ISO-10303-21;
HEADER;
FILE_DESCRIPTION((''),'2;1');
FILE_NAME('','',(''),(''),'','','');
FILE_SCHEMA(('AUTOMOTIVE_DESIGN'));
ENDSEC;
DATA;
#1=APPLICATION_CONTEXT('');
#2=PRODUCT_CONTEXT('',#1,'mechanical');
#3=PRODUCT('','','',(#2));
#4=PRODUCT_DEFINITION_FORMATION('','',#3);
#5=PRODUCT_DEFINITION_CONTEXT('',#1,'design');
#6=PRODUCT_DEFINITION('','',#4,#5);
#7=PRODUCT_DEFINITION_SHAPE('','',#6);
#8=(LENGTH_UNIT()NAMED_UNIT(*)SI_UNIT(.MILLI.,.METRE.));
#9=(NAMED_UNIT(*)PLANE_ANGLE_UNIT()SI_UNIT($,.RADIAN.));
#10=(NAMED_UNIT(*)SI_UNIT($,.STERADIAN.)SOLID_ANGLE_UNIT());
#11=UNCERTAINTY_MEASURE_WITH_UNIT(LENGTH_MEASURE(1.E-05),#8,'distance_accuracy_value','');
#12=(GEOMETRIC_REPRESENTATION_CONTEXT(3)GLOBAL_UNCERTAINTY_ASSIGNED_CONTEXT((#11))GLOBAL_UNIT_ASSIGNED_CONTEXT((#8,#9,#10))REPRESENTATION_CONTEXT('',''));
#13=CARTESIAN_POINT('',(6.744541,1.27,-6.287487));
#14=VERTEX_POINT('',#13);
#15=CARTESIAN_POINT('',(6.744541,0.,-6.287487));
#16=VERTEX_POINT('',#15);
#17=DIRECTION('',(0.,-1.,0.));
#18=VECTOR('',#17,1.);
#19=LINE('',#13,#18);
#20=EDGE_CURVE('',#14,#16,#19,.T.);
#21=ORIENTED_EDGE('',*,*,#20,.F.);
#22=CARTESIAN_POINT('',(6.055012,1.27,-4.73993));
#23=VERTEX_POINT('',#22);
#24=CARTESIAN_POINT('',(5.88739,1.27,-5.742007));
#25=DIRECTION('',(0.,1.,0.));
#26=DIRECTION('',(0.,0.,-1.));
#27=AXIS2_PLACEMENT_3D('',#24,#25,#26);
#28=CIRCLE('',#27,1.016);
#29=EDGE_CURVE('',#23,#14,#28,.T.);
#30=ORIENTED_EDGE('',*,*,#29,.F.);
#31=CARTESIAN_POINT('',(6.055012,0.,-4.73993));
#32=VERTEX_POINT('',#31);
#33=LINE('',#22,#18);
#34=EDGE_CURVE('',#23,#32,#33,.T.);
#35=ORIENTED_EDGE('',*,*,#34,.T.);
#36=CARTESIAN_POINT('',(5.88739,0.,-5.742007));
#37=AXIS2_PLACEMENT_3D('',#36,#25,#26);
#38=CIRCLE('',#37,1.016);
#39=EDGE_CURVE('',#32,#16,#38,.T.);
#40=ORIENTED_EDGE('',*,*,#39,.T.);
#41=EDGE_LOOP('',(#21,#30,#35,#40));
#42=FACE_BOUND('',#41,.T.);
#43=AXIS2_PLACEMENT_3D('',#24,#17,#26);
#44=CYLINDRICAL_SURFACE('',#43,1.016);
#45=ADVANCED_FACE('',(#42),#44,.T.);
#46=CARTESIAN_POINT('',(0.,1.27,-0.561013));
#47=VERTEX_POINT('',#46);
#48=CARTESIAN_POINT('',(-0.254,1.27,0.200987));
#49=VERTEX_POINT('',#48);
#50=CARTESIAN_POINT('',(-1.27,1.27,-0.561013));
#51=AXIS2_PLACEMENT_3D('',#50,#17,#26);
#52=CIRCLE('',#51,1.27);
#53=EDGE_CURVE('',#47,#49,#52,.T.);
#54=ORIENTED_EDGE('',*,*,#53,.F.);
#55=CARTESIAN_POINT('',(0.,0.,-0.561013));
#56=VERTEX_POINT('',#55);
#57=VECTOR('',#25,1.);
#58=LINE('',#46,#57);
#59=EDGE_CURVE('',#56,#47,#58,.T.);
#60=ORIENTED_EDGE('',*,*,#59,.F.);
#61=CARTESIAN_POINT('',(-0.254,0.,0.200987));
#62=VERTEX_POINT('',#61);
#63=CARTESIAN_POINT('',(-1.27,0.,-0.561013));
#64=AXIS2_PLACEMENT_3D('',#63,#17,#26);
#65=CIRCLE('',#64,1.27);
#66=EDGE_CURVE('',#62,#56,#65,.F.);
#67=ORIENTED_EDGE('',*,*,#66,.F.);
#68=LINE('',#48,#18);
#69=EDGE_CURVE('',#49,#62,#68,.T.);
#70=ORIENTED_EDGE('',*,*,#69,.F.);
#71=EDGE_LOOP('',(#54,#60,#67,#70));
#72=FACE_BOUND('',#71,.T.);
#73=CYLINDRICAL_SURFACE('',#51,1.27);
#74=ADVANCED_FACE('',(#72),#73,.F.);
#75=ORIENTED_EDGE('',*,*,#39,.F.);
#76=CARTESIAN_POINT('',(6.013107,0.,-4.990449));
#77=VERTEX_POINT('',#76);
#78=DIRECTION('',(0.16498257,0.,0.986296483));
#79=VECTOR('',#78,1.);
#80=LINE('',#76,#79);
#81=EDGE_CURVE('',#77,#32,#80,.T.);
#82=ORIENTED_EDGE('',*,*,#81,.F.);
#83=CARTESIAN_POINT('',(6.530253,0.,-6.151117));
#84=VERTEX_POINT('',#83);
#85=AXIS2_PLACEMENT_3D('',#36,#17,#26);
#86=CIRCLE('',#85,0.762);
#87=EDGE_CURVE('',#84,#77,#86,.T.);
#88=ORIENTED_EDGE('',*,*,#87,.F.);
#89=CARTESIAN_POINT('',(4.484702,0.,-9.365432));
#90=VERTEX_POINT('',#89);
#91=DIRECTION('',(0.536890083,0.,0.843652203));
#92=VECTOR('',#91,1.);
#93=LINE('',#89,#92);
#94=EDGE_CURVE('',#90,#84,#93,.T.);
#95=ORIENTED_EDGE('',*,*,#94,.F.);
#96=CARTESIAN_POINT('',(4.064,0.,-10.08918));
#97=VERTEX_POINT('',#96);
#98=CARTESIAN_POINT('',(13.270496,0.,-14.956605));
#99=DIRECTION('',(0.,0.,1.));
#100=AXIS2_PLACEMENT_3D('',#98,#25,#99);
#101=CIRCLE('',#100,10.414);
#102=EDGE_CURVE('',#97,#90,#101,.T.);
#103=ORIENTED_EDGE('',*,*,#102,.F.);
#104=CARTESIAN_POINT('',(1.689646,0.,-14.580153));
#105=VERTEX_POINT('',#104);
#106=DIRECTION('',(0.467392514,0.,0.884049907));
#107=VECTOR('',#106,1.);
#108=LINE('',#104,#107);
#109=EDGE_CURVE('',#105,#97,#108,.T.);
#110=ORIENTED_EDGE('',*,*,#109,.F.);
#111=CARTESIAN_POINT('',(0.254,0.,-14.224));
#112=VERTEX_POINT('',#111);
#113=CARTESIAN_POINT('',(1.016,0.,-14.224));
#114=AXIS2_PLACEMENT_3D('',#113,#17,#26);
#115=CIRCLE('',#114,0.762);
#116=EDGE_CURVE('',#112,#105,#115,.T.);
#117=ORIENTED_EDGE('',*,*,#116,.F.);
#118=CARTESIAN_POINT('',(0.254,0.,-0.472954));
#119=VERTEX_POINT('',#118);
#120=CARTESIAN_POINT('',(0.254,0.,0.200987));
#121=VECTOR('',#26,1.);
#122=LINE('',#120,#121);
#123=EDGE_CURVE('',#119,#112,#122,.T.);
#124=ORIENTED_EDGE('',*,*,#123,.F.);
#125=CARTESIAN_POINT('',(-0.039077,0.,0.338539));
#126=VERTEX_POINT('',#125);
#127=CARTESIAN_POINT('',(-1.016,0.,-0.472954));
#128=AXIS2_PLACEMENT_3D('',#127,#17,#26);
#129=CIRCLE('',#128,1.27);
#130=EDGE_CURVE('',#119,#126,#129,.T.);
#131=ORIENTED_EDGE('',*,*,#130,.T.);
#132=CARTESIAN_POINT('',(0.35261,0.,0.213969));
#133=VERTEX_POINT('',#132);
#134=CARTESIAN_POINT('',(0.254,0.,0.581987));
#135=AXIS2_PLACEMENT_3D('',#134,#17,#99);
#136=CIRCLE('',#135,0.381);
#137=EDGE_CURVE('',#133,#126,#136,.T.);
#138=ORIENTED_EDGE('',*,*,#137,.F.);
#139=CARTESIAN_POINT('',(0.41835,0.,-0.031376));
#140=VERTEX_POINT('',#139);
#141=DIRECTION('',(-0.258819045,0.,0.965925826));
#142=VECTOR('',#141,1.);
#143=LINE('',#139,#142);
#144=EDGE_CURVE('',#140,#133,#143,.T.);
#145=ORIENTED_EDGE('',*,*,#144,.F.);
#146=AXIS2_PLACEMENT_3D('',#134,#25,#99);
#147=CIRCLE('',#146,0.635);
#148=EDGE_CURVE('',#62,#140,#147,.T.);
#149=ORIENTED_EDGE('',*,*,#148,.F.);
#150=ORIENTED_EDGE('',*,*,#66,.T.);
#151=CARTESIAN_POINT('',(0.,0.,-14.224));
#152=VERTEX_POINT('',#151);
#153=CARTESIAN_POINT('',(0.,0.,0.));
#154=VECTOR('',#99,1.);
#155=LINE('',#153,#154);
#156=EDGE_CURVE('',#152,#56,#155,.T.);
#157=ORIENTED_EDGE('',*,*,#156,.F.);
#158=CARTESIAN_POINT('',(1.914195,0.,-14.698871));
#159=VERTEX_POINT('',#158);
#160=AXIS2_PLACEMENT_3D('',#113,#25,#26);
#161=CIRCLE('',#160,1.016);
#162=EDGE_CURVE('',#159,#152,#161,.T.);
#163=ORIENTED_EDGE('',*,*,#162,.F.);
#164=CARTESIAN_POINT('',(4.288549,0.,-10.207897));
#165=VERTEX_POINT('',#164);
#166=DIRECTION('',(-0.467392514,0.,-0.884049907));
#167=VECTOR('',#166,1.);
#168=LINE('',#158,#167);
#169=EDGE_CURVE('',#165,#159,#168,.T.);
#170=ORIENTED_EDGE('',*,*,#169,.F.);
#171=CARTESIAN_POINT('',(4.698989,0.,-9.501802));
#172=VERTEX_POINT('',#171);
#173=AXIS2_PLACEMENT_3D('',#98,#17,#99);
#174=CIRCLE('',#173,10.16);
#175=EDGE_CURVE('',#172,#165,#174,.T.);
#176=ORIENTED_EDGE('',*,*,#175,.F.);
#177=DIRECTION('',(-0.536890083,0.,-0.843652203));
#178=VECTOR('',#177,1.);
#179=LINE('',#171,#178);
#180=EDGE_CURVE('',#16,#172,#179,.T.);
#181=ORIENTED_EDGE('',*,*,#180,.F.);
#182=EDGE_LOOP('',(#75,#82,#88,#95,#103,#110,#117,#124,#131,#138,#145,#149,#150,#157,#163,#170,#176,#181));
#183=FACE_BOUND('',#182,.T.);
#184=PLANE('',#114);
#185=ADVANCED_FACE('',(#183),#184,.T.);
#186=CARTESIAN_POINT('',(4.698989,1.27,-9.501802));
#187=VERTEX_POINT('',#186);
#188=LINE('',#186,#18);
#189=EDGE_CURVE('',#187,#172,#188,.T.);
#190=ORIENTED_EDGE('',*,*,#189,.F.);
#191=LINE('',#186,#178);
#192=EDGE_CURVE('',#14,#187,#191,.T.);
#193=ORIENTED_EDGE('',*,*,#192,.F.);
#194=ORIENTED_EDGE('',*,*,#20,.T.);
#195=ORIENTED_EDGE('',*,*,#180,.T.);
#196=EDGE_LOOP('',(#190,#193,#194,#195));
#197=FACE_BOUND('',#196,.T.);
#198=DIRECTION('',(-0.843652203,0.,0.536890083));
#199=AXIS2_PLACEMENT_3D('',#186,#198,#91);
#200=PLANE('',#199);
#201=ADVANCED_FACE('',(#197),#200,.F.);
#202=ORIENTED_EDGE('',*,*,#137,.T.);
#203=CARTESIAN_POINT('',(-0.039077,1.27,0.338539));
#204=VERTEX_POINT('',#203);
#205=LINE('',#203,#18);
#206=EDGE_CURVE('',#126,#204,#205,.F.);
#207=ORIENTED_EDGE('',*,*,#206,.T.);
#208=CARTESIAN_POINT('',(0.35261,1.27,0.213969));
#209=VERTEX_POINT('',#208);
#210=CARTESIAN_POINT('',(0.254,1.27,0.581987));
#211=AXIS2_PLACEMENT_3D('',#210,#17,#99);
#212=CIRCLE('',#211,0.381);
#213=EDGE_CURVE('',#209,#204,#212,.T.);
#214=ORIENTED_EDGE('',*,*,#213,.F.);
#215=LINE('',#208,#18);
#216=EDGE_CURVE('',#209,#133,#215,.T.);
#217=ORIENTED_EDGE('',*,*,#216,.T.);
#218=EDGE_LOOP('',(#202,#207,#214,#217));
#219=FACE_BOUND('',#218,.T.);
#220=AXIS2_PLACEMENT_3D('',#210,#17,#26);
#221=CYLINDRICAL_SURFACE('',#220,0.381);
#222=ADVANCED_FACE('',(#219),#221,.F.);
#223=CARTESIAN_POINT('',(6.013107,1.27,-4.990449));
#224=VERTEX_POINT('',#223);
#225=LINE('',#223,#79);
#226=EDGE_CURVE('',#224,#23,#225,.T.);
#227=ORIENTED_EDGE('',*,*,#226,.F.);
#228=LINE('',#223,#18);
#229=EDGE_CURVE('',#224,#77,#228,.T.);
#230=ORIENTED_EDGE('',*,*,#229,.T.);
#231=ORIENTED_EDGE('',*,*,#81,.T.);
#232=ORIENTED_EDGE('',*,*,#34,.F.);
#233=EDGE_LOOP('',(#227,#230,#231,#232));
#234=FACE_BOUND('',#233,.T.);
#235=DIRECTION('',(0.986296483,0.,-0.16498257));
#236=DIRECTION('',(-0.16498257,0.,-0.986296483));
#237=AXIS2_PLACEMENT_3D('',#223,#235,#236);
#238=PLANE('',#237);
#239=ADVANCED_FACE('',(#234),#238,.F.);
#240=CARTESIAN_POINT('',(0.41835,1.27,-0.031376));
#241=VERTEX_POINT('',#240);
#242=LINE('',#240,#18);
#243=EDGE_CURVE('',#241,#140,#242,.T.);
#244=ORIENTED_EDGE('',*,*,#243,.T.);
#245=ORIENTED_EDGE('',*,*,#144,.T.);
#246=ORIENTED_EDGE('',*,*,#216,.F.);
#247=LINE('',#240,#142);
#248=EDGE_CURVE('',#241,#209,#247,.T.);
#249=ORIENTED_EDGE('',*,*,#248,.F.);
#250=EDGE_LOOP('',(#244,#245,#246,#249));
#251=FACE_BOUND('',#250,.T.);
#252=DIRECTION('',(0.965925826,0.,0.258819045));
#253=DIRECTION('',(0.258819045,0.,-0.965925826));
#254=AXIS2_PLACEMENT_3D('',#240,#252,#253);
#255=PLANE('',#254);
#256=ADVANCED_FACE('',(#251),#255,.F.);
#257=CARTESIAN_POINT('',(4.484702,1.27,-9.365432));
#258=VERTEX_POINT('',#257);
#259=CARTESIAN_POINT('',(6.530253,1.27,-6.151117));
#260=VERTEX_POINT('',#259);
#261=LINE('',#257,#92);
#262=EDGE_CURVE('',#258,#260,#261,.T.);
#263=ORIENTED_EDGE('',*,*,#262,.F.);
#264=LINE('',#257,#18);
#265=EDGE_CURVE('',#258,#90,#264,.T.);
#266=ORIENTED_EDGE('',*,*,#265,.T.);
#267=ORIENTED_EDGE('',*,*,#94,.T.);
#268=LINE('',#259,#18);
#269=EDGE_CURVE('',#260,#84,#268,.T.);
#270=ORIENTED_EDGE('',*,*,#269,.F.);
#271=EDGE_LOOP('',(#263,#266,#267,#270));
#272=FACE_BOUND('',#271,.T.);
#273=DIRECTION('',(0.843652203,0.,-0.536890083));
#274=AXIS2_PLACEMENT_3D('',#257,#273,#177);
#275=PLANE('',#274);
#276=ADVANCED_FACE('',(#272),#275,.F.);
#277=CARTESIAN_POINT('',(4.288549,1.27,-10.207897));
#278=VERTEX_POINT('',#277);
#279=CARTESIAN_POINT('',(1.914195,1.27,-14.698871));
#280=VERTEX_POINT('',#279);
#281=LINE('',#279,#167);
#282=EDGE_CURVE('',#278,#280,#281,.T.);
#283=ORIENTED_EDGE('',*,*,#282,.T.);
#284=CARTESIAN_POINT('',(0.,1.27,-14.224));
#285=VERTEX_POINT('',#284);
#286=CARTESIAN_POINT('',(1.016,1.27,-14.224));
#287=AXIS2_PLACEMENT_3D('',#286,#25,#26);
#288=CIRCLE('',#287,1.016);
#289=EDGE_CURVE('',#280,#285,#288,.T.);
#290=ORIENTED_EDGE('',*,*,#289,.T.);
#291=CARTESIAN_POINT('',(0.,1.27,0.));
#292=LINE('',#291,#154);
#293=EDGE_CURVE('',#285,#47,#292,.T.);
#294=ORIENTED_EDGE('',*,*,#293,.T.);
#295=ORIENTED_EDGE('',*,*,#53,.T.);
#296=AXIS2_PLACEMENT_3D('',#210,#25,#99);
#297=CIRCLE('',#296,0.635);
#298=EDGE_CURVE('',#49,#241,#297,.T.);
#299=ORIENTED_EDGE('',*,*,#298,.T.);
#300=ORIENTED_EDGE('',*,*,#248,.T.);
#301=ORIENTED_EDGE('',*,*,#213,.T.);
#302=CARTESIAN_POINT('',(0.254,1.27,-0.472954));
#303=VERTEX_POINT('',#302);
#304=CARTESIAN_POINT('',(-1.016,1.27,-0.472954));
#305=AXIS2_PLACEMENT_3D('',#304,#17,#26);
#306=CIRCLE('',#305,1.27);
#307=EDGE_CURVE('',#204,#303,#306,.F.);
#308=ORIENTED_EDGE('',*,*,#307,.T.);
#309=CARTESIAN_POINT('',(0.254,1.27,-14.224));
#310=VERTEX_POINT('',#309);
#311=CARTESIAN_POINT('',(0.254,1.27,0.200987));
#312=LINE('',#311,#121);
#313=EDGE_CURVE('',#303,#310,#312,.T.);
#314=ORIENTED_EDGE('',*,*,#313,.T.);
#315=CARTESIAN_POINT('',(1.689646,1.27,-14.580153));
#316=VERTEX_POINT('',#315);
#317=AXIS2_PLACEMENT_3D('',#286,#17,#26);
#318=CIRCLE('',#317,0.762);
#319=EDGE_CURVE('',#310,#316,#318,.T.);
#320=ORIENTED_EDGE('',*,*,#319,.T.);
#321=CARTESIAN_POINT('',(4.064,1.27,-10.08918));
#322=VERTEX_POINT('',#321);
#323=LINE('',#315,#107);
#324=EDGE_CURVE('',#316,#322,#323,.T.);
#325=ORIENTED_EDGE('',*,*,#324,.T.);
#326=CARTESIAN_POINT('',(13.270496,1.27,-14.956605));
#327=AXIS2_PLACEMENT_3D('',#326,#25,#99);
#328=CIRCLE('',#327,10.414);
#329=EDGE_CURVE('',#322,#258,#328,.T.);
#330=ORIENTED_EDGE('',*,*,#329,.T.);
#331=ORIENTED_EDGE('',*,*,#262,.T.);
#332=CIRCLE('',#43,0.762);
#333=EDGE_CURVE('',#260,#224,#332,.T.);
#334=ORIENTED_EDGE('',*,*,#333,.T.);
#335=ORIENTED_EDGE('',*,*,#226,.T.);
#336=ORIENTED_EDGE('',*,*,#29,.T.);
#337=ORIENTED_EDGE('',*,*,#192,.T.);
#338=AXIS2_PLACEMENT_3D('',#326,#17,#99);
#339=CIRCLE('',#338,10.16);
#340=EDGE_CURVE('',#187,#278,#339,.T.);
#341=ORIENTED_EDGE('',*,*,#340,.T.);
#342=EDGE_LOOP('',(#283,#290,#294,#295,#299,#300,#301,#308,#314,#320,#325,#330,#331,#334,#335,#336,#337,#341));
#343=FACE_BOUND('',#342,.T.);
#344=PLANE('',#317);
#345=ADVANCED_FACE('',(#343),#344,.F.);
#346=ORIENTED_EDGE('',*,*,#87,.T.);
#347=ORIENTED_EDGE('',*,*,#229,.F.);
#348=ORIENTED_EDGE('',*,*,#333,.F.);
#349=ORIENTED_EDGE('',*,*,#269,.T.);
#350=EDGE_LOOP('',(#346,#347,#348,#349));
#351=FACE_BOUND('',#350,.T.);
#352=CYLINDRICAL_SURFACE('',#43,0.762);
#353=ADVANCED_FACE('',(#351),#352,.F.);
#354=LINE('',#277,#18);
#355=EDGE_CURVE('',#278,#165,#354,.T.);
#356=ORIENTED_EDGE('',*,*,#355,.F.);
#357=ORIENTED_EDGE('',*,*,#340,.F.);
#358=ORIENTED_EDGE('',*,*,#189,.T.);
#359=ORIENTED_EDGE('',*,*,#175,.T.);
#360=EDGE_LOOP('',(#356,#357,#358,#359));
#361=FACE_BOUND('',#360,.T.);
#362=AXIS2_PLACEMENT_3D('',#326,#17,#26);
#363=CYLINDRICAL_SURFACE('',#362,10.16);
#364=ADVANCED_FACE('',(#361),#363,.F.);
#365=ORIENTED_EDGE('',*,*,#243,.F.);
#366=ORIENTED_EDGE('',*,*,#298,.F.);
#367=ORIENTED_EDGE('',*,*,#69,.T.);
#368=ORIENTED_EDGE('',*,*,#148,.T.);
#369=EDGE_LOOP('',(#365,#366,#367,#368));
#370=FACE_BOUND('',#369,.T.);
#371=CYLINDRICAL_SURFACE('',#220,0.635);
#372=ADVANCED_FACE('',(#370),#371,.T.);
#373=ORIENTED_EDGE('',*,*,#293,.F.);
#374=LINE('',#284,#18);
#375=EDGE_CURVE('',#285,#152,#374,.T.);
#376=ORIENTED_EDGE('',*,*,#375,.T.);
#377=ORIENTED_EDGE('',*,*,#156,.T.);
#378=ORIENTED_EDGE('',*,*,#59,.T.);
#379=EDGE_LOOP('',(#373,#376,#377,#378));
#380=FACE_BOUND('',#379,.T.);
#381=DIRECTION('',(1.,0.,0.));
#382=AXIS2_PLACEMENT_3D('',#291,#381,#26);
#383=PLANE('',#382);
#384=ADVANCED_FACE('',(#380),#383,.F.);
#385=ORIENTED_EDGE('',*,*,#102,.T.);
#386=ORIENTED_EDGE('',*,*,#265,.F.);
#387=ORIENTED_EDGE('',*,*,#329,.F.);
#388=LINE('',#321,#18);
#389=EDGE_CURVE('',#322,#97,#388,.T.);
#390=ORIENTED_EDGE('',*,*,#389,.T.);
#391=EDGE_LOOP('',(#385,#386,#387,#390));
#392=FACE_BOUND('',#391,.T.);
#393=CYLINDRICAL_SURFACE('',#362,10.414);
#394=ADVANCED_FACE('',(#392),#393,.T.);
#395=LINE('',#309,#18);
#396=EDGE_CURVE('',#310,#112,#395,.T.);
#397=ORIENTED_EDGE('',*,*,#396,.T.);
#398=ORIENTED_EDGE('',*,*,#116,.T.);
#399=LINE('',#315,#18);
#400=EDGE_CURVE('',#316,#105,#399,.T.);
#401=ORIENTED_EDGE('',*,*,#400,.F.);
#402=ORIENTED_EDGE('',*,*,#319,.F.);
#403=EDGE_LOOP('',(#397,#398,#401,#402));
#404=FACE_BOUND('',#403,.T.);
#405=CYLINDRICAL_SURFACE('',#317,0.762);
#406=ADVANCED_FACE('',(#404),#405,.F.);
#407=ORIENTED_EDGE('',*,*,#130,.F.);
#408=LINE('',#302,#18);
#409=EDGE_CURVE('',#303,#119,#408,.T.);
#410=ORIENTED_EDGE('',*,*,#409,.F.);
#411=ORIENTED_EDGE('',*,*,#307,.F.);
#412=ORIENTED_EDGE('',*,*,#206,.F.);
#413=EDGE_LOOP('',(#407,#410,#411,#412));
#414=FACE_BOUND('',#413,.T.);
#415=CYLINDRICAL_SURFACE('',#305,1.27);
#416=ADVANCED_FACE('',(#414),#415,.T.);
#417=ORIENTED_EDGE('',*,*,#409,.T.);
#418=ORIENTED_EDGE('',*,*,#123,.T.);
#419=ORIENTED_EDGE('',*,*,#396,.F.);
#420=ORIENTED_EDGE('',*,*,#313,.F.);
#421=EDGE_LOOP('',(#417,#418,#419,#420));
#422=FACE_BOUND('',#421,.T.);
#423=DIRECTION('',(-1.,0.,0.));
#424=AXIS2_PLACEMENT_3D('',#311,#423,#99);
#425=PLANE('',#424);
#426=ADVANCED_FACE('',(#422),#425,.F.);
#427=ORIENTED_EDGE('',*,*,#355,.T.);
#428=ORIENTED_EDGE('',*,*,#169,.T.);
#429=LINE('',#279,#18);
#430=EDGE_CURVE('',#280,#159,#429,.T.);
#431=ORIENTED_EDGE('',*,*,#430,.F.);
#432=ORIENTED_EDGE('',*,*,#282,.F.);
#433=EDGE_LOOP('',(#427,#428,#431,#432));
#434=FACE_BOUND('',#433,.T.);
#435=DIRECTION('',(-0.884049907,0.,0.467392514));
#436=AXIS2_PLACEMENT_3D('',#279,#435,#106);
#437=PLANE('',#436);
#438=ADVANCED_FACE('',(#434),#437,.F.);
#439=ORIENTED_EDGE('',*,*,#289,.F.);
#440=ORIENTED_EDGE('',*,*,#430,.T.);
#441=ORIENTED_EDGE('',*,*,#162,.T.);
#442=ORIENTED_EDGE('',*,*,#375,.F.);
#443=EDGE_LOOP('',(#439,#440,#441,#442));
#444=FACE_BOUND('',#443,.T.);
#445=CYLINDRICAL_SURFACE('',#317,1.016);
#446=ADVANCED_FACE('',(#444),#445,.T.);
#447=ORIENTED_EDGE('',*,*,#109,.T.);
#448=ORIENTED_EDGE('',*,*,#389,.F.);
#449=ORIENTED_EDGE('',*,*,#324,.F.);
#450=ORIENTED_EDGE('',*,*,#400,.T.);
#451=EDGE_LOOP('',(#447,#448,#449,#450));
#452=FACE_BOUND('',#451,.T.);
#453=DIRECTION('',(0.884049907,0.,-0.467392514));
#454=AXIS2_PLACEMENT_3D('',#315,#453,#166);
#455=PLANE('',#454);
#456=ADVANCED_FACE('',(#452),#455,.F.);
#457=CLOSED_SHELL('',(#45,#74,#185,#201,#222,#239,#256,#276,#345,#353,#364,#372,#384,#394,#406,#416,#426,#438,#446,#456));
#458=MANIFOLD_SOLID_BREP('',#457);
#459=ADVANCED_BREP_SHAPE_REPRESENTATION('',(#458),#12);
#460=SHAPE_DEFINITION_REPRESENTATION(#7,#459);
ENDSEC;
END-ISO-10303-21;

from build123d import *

# Parameters (mm, degrees)
BOSS_EXTRUDE1_DEPTH = 1.27
FILLET1_R           = 1.27


with BuildPart() as part:
    # Sketch1 → Boss-Extrude1 (new body)
    with BuildSketch(Plane(origin=(0, 0, 0), x_dir=(1, 0, 0), z_dir=(0, 1, 0))):
        with BuildLine():
            Line((0, 0), (0, 14.224))
            ThreePointArc((0, 14.224), (0.77136744, 15.210108975), (1.914194705, 14.698870794))
            Line((1.914194705, 14.698870794), (4.288548676, 10.207897267))
            ThreePointArc((4.288548676, 10.207897267), (4.486671136, 9.850723748), (4.698989351, 9.501801969))
            Line((4.698989351, 9.501801969), (6.744540566, 6.287487077))
            ThreePointArc((6.744540566, 6.287487077), (6.815438139, 5.328506429), (6.055012218, 4.739929527))
            Line((6.055012218, 4.739929527), (6.013106646, 4.990448833))
            ThreePointArc((6.013106646, 4.990448833), (6.583426086, 5.43188151), (6.530252906, 6.151116996))
            Line((6.530252906, 6.151116996), (4.484701691, 9.365431888))
            ThreePointArc((4.484701691, 9.365431888), (4.267075521, 9.723076711), (4.064, 10.089179569))
            Line((4.064, 10.089179569), (1.689646029, 14.580153096))
            ThreePointArc((1.689646029, 14.580153096), (0.83252558, 14.963581731), (0.254, 14.224))
            Line((0.254, 14.224), (0.254, -0.200987113))
            ThreePointArc((0.254, -0.200987113), (0.204269521, -0.959727605), (0.352610056, -0.213969373))
            Line((0.352610056, -0.213969373), (0.418350094, 0.031375786))
            ThreePointArc((0.418350094, 0.031375786), (0.301490909, -1.215208728), (0, 0))
        make_face()
    extrude(amount=BOSS_EXTRUDE1_DEPTH)

    # Fillet1
    fillet1_edges = [part.edges().sort_by_distance(p)[0] for p in [
        (0.254, 0.635, 0.200987113),
        (0, 0.635, 0),
    ]]
    fillet(fillet1_edges, radius=FILLET1_R)


solid = part.part
